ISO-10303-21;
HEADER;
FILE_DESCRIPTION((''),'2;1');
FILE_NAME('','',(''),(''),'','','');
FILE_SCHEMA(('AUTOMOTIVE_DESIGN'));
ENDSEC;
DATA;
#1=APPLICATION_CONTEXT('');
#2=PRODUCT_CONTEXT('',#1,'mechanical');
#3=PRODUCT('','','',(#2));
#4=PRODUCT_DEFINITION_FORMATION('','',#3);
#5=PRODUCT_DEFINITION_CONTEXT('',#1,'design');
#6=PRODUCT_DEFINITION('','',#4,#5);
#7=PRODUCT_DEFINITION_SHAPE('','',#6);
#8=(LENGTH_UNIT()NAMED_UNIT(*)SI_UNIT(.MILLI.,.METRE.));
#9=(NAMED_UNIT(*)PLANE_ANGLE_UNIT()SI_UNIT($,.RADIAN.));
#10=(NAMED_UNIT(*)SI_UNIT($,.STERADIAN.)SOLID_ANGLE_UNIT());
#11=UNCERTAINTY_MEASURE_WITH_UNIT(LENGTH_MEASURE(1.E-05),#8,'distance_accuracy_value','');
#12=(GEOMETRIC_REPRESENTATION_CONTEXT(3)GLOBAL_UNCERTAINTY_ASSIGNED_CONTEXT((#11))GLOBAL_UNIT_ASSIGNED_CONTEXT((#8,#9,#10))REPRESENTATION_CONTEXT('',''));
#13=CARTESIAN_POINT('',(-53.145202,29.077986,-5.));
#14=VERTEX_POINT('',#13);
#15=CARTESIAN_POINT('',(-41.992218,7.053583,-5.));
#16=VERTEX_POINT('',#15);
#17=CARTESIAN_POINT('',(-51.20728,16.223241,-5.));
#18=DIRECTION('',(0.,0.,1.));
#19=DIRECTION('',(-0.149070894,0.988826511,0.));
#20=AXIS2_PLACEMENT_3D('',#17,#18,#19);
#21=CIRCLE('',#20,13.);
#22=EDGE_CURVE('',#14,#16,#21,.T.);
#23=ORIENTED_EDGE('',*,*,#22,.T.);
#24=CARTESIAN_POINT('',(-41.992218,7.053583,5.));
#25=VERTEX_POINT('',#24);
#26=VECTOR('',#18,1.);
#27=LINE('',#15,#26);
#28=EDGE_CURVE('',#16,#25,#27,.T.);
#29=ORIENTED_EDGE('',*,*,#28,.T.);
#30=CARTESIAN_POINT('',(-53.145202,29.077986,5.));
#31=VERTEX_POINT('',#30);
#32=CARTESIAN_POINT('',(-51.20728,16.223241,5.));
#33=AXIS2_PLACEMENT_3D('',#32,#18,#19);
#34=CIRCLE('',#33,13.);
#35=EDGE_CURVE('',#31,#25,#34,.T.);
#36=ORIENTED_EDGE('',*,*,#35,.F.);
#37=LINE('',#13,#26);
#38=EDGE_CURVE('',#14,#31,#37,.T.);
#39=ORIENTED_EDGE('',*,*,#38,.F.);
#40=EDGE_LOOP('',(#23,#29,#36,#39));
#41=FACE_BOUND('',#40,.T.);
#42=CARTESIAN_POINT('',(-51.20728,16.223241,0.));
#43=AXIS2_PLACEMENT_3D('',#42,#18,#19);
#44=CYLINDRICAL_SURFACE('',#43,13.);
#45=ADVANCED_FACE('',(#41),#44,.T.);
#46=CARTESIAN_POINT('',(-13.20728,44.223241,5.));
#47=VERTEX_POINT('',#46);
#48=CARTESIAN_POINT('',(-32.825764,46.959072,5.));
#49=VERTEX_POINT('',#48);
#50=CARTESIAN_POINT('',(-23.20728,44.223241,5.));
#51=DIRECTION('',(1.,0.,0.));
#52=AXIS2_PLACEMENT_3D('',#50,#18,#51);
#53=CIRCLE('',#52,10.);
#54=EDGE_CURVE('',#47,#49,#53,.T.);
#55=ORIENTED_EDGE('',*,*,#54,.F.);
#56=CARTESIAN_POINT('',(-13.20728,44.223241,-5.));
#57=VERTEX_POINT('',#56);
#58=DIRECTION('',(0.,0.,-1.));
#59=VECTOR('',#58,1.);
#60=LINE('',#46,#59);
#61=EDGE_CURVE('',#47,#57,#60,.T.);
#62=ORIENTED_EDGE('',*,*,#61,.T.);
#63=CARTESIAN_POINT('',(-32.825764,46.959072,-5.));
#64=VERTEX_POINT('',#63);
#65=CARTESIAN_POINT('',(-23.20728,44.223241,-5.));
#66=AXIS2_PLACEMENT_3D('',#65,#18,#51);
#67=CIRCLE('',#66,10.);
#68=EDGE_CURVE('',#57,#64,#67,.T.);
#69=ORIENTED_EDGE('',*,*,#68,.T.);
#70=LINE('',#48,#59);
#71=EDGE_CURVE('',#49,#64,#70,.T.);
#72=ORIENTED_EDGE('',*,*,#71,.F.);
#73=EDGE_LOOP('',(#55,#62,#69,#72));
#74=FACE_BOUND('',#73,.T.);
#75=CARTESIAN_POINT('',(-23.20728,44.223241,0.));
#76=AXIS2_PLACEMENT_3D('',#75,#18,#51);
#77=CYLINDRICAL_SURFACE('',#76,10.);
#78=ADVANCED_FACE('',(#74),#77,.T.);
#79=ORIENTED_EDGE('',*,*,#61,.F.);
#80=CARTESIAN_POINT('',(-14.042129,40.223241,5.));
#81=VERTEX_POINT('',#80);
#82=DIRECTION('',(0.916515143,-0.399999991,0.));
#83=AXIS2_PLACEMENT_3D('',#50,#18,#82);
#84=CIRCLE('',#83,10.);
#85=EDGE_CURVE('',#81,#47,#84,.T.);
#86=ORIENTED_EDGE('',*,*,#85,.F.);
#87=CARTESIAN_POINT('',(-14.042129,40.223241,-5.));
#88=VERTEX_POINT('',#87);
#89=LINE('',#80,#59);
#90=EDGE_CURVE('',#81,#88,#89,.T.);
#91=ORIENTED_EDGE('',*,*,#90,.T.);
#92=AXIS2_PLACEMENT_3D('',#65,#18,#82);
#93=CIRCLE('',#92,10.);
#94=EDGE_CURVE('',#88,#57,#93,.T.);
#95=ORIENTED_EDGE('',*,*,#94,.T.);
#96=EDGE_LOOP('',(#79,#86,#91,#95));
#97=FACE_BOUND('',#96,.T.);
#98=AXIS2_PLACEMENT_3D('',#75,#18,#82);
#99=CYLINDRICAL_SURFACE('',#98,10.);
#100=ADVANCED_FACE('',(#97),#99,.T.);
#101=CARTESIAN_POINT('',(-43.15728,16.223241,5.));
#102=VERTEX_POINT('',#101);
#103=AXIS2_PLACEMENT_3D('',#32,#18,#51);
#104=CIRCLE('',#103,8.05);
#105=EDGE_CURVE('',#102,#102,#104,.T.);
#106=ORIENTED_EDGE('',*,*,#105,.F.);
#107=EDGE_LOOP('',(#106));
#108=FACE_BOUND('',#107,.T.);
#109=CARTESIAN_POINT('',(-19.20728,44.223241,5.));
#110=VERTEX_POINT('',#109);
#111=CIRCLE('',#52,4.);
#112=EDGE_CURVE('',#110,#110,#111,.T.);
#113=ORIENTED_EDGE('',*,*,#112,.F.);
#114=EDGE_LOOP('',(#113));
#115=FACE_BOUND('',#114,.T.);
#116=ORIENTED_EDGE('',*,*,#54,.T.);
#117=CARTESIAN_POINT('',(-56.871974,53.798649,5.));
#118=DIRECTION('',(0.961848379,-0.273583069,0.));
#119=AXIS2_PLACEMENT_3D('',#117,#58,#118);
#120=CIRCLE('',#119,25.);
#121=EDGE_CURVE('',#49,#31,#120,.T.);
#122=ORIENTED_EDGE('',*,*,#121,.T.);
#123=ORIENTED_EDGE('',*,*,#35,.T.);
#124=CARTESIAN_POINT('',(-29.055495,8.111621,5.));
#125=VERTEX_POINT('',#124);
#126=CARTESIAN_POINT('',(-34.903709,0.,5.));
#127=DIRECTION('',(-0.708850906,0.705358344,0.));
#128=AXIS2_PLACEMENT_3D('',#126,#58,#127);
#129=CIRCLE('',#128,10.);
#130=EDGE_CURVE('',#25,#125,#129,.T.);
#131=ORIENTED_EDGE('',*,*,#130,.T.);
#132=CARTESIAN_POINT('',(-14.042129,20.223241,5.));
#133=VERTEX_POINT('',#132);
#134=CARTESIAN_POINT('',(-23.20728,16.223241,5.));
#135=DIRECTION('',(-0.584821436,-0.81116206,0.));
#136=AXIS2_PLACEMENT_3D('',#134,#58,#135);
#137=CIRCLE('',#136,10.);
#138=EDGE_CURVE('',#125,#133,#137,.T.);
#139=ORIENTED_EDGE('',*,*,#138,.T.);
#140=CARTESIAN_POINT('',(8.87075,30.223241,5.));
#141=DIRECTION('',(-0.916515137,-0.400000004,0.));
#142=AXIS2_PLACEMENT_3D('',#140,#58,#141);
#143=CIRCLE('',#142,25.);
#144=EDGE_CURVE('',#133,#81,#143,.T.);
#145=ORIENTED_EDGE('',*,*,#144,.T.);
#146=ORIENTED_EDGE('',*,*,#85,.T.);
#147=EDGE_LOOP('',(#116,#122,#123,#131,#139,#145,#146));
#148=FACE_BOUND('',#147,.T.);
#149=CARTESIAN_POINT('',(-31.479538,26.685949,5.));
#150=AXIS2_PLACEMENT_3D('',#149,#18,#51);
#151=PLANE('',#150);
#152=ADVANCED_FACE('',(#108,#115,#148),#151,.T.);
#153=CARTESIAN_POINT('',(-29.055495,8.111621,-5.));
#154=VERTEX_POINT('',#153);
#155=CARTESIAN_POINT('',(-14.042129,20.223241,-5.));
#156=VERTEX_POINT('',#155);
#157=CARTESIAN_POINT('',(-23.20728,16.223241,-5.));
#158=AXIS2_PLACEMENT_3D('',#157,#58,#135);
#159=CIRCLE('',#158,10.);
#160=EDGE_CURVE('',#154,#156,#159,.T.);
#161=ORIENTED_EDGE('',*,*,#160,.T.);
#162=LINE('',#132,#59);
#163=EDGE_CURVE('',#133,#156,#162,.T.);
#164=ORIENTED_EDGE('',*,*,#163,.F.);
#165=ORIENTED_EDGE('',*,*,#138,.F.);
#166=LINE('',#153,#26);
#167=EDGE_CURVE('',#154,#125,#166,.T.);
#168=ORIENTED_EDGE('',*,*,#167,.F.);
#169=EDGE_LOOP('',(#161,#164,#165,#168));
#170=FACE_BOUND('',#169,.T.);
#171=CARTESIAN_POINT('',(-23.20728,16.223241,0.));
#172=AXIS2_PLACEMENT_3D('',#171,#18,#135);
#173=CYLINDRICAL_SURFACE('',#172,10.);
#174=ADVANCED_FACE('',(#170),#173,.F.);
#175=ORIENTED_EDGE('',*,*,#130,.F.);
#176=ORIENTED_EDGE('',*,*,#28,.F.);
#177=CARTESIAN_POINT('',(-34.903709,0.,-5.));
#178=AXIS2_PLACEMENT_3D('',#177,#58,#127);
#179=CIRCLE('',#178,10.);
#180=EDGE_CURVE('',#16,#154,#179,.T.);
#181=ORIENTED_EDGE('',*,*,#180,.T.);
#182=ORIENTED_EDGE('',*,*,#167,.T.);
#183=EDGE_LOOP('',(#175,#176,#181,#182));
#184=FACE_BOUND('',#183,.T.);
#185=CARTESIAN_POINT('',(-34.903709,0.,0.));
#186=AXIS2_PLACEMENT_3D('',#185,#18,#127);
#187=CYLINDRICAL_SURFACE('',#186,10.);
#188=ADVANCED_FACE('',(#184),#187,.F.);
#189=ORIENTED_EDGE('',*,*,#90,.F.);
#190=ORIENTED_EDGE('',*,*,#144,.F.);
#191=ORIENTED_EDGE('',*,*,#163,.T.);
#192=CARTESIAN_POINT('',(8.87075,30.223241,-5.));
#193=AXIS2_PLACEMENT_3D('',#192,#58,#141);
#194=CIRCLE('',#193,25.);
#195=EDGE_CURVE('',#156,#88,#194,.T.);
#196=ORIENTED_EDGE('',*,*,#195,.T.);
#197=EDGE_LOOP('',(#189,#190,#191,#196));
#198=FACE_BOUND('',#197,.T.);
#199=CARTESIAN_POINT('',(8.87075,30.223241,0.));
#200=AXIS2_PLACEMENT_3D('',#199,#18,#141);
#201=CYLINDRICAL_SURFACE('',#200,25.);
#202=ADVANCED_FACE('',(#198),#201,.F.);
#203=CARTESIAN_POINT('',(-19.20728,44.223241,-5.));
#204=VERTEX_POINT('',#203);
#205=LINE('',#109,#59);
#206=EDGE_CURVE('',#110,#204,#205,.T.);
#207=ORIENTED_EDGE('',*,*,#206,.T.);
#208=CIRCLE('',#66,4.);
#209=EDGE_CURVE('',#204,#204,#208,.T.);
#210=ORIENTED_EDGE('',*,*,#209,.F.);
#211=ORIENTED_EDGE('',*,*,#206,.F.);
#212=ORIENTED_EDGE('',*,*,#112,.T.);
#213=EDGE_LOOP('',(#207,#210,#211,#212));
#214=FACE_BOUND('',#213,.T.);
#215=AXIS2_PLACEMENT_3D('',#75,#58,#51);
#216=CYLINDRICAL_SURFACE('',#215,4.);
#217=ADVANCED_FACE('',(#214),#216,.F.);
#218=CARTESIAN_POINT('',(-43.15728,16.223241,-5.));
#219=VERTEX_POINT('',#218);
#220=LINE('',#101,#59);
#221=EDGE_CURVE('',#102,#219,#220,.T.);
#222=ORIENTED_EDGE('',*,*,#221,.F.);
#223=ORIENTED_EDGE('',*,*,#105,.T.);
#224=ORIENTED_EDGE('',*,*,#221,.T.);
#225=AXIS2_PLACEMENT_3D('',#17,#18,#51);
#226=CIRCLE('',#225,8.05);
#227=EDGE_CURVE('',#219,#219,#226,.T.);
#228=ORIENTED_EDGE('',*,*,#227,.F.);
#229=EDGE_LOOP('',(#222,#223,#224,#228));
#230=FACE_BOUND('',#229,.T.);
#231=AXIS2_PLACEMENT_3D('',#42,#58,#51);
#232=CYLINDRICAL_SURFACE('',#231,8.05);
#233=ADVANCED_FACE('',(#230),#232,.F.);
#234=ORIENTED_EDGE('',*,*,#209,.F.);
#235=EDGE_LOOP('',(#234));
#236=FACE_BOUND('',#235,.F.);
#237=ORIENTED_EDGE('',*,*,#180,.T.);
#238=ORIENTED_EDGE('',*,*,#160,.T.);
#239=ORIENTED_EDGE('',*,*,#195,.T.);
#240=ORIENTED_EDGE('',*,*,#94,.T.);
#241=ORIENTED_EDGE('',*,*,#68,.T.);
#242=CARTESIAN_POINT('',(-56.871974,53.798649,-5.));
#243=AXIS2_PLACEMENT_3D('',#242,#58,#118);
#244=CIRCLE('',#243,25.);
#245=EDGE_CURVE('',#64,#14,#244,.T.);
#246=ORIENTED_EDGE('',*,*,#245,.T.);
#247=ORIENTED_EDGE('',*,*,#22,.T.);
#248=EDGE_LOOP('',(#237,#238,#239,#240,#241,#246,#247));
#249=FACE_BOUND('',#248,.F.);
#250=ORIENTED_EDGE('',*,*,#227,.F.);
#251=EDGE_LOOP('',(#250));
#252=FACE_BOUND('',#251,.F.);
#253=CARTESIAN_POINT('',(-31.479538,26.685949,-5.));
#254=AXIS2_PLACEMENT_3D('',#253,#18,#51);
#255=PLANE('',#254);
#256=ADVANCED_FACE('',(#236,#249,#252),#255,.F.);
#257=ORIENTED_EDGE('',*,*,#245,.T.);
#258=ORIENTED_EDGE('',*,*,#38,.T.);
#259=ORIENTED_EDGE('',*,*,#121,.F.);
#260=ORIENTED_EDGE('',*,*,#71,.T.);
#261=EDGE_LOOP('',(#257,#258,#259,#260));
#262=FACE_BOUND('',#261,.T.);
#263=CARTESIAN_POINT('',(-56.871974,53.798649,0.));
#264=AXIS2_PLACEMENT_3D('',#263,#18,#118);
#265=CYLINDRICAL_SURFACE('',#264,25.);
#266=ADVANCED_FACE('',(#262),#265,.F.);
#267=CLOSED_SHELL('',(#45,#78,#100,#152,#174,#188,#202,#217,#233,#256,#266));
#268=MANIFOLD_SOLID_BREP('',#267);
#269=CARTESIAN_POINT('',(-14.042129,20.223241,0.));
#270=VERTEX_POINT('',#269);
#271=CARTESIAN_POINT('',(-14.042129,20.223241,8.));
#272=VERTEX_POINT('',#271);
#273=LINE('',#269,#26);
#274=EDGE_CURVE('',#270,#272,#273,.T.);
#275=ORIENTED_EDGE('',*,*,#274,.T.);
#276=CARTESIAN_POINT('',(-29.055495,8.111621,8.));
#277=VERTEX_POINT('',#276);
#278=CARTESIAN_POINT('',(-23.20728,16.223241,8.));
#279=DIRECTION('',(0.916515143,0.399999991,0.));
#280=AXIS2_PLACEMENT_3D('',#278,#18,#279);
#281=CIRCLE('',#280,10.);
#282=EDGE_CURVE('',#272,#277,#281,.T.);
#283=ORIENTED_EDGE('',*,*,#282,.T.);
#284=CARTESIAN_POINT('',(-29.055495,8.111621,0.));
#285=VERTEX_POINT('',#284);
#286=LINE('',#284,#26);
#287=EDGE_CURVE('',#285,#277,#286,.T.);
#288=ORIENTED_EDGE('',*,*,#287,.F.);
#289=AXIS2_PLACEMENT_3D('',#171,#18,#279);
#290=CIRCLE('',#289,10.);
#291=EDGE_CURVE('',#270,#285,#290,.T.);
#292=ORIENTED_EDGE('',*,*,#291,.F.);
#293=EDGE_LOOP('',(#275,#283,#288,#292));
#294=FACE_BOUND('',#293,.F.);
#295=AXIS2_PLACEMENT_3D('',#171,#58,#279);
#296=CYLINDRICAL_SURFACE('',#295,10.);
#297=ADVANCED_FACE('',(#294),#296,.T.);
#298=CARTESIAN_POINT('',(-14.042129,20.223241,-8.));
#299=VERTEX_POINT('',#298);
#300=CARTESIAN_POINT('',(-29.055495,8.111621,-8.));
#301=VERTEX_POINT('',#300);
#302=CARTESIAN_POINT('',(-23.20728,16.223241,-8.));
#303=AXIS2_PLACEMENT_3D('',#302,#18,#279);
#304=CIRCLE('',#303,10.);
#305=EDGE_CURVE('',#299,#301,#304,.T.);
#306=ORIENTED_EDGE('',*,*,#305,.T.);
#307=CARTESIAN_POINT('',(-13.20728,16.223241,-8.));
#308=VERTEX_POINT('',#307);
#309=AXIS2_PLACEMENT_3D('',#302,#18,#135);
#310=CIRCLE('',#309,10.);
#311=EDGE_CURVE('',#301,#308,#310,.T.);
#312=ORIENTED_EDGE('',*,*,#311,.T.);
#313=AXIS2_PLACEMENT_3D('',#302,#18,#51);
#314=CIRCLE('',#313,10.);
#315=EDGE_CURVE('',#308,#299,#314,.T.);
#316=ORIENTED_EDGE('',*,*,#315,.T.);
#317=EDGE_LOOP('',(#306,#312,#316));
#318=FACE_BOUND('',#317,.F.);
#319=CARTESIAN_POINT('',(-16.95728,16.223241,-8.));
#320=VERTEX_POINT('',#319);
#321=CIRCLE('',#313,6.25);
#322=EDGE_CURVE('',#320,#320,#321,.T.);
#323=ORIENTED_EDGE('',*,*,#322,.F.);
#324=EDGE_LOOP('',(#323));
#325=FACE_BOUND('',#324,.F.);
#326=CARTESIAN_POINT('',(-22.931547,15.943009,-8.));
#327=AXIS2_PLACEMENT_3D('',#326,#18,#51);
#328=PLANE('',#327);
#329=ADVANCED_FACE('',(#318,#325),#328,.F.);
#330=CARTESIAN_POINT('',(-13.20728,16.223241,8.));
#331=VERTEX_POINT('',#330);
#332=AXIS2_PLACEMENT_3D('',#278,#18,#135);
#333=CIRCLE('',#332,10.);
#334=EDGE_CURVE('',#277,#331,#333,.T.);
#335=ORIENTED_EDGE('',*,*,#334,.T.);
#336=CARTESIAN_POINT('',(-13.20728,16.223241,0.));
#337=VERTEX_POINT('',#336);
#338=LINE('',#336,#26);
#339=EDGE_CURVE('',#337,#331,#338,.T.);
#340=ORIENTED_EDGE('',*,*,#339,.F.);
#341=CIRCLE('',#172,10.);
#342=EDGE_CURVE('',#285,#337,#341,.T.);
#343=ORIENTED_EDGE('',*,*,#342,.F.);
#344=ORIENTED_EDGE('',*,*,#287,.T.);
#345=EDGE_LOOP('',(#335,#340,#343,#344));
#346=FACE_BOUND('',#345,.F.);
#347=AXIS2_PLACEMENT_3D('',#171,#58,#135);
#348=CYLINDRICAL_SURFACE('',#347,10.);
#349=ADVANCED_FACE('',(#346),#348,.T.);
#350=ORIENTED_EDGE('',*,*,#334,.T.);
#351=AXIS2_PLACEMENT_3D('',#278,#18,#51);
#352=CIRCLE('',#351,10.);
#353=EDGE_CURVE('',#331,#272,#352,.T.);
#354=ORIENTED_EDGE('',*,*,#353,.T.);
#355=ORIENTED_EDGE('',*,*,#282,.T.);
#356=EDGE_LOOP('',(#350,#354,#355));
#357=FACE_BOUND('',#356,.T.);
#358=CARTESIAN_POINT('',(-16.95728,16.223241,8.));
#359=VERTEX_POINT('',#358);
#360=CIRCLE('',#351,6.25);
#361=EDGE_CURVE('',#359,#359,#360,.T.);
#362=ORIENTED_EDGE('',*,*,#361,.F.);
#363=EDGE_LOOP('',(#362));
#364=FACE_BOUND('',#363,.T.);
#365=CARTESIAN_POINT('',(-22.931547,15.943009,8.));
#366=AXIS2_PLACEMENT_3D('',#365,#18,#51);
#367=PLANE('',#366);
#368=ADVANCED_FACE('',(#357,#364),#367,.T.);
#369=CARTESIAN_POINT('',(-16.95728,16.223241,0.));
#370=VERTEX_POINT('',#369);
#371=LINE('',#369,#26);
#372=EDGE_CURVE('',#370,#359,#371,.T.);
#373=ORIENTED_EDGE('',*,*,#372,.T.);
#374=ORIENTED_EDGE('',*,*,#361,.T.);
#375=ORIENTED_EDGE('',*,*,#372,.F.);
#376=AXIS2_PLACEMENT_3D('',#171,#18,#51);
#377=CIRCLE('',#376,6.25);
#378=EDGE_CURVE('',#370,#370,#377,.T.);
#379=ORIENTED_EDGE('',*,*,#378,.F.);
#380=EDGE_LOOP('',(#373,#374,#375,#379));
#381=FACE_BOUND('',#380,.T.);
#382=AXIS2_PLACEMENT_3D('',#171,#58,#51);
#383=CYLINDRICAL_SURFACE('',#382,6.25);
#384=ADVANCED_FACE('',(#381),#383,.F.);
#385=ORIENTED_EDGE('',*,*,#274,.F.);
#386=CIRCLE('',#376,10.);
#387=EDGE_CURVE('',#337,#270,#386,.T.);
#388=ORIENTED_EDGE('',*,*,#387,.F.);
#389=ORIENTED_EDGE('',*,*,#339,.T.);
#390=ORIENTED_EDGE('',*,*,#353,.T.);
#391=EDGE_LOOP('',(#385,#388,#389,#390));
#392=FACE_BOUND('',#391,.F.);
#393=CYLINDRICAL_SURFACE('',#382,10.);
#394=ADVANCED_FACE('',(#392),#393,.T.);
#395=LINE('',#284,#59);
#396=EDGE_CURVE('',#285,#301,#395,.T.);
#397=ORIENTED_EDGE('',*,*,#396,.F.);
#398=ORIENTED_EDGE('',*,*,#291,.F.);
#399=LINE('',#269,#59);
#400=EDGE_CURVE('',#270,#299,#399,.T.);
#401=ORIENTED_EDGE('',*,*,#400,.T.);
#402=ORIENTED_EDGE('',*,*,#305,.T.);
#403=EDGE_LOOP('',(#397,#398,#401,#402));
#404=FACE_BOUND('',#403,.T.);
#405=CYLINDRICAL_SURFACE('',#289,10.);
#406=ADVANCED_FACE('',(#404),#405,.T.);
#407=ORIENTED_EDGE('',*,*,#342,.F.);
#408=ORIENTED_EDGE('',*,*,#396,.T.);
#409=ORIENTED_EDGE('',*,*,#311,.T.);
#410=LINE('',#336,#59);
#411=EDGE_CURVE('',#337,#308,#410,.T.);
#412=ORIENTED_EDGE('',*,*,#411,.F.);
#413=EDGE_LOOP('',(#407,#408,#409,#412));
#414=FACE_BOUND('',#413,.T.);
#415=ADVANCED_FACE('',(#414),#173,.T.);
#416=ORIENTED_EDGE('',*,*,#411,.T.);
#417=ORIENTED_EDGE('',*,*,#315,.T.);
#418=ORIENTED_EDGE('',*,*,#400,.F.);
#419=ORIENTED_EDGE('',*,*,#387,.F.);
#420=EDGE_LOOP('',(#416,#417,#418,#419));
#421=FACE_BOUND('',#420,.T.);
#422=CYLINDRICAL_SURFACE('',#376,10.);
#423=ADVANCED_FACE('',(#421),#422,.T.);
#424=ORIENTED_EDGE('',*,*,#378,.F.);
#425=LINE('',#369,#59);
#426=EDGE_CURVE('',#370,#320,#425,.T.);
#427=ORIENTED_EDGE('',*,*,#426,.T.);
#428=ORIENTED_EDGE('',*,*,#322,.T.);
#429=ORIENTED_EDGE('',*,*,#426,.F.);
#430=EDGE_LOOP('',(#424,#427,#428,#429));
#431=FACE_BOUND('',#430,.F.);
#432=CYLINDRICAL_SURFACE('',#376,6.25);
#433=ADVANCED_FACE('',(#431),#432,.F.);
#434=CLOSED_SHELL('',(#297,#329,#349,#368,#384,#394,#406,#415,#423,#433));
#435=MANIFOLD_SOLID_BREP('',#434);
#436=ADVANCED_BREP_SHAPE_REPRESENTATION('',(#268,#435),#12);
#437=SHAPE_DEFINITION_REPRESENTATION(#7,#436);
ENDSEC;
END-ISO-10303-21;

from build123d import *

# Parameters (mm, degrees)
F0_R     = 6.25
F1_DEPTH = 8
F0_R_2   = 4
F0_R_3   = 8.05
F2_DEPTH = 5


with BuildPart() as f1:
    # F0 (on Top) → F1 (new body, symmetric)
    with BuildSketch(Plane.XY):
        with BuildLine():
            ThreePointArc((-13.2072802739, 16.2232413122), (-13.4182171347, 18.2663377013), (-14.042128845, 20.2232412226))
            ThreePointArc((-14.042128845, 20.2232412226), (-29.4860823685, 24.0063412253), (-29.055494634, 8.1116207097))
            ThreePointArc((-29.055494634, 8.1116207097), (-18.6510835925, 7.3214958766), (-13.2072802739, 16.2232413122))
        make_face()
        with Locations((-23.2072802739, 16.2232413122)):
            Circle(F0_R, mode=Mode.SUBTRACT)
    extrude(amount=F1_DEPTH, both=True)


with BuildPart() as f2:
    # F0 (on Top) → F2 (new body, symmetric)
    with BuildSketch(Plane.XY):
        with BuildLine():
            ThreePointArc((-14.042128845, 40.2232414017), (-26.5828145137, 34.8101775922), (-32.8257640324, 46.9590721162))
            ThreePointArc((-32.8257640324, 46.9590721162), (-40.3562861134, 35.0308021348), (-53.1452019023, 29.0779859523))
            ThreePointArc((-53.1452019023, 29.0779859523), (-42.7276865681, 26.0769964636), (-38.2072802739, 16.2232413122))
            ThreePointArc((-38.2072802739, 16.2232413122), (-39.1907123191, 11.2631914548), (-41.9922179028, 7.0535834398))
            ThreePointArc((-41.9922179028, 7.0535834398), (-35.7188429094, 9.9667224531), (-29.055494634, 8.1116207097))
            ThreePointArc((-29.055494634, 8.1116207097), (-29.4860823685, 24.0063412253), (-14.042128845, 20.2232412226))
            ThreePointArc((-14.042128845, 20.2232412226), (-16.1292504093, 30.2232413122), (-14.042128845, 40.2232414017))
        make_face()
        with BuildLine():
            ThreePointArc((-14.042128845, 40.2232414017), (-13.4182171347, 42.1801449231), (-13.2072802739, 44.2232413122))
            ThreePointArc((-13.2072802739, 44.2232413122), (-21.8261281434, 54.1274030027), (-32.8257640324, 46.9590721162))
            ThreePointArc((-32.8257640324, 46.9590721162), (-26.5828145137, 34.8101775922), (-14.042128845, 40.2232414017))
        make_face()
        with Locations((-23.2072802739, 44.2232413122)):
            Circle(F0_R_2, mode=Mode.SUBTRACT)
        with BuildLine():
            ThreePointArc((-38.2072802739, 16.2232413122), (-42.7276865681, 26.0769964636), (-53.1452019023, 29.0779859523))
            ThreePointArc((-53.1452019023, 29.0779859523), (-62.8050287992, 10.3502327863), (-41.9922179028, 7.0535834398))
            ThreePointArc((-41.9922179028, 7.0535834398), (-39.1907123191, 11.2631914548), (-38.2072802739, 16.2232413122))
        make_face()
        with Locations((-51.2072802739, 16.2232413122)):
            Circle(F0_R_3, mode=Mode.SUBTRACT)
    extrude(amount=F2_DEPTH, both=True)


solid = Compound([f1.part, f2.part])
